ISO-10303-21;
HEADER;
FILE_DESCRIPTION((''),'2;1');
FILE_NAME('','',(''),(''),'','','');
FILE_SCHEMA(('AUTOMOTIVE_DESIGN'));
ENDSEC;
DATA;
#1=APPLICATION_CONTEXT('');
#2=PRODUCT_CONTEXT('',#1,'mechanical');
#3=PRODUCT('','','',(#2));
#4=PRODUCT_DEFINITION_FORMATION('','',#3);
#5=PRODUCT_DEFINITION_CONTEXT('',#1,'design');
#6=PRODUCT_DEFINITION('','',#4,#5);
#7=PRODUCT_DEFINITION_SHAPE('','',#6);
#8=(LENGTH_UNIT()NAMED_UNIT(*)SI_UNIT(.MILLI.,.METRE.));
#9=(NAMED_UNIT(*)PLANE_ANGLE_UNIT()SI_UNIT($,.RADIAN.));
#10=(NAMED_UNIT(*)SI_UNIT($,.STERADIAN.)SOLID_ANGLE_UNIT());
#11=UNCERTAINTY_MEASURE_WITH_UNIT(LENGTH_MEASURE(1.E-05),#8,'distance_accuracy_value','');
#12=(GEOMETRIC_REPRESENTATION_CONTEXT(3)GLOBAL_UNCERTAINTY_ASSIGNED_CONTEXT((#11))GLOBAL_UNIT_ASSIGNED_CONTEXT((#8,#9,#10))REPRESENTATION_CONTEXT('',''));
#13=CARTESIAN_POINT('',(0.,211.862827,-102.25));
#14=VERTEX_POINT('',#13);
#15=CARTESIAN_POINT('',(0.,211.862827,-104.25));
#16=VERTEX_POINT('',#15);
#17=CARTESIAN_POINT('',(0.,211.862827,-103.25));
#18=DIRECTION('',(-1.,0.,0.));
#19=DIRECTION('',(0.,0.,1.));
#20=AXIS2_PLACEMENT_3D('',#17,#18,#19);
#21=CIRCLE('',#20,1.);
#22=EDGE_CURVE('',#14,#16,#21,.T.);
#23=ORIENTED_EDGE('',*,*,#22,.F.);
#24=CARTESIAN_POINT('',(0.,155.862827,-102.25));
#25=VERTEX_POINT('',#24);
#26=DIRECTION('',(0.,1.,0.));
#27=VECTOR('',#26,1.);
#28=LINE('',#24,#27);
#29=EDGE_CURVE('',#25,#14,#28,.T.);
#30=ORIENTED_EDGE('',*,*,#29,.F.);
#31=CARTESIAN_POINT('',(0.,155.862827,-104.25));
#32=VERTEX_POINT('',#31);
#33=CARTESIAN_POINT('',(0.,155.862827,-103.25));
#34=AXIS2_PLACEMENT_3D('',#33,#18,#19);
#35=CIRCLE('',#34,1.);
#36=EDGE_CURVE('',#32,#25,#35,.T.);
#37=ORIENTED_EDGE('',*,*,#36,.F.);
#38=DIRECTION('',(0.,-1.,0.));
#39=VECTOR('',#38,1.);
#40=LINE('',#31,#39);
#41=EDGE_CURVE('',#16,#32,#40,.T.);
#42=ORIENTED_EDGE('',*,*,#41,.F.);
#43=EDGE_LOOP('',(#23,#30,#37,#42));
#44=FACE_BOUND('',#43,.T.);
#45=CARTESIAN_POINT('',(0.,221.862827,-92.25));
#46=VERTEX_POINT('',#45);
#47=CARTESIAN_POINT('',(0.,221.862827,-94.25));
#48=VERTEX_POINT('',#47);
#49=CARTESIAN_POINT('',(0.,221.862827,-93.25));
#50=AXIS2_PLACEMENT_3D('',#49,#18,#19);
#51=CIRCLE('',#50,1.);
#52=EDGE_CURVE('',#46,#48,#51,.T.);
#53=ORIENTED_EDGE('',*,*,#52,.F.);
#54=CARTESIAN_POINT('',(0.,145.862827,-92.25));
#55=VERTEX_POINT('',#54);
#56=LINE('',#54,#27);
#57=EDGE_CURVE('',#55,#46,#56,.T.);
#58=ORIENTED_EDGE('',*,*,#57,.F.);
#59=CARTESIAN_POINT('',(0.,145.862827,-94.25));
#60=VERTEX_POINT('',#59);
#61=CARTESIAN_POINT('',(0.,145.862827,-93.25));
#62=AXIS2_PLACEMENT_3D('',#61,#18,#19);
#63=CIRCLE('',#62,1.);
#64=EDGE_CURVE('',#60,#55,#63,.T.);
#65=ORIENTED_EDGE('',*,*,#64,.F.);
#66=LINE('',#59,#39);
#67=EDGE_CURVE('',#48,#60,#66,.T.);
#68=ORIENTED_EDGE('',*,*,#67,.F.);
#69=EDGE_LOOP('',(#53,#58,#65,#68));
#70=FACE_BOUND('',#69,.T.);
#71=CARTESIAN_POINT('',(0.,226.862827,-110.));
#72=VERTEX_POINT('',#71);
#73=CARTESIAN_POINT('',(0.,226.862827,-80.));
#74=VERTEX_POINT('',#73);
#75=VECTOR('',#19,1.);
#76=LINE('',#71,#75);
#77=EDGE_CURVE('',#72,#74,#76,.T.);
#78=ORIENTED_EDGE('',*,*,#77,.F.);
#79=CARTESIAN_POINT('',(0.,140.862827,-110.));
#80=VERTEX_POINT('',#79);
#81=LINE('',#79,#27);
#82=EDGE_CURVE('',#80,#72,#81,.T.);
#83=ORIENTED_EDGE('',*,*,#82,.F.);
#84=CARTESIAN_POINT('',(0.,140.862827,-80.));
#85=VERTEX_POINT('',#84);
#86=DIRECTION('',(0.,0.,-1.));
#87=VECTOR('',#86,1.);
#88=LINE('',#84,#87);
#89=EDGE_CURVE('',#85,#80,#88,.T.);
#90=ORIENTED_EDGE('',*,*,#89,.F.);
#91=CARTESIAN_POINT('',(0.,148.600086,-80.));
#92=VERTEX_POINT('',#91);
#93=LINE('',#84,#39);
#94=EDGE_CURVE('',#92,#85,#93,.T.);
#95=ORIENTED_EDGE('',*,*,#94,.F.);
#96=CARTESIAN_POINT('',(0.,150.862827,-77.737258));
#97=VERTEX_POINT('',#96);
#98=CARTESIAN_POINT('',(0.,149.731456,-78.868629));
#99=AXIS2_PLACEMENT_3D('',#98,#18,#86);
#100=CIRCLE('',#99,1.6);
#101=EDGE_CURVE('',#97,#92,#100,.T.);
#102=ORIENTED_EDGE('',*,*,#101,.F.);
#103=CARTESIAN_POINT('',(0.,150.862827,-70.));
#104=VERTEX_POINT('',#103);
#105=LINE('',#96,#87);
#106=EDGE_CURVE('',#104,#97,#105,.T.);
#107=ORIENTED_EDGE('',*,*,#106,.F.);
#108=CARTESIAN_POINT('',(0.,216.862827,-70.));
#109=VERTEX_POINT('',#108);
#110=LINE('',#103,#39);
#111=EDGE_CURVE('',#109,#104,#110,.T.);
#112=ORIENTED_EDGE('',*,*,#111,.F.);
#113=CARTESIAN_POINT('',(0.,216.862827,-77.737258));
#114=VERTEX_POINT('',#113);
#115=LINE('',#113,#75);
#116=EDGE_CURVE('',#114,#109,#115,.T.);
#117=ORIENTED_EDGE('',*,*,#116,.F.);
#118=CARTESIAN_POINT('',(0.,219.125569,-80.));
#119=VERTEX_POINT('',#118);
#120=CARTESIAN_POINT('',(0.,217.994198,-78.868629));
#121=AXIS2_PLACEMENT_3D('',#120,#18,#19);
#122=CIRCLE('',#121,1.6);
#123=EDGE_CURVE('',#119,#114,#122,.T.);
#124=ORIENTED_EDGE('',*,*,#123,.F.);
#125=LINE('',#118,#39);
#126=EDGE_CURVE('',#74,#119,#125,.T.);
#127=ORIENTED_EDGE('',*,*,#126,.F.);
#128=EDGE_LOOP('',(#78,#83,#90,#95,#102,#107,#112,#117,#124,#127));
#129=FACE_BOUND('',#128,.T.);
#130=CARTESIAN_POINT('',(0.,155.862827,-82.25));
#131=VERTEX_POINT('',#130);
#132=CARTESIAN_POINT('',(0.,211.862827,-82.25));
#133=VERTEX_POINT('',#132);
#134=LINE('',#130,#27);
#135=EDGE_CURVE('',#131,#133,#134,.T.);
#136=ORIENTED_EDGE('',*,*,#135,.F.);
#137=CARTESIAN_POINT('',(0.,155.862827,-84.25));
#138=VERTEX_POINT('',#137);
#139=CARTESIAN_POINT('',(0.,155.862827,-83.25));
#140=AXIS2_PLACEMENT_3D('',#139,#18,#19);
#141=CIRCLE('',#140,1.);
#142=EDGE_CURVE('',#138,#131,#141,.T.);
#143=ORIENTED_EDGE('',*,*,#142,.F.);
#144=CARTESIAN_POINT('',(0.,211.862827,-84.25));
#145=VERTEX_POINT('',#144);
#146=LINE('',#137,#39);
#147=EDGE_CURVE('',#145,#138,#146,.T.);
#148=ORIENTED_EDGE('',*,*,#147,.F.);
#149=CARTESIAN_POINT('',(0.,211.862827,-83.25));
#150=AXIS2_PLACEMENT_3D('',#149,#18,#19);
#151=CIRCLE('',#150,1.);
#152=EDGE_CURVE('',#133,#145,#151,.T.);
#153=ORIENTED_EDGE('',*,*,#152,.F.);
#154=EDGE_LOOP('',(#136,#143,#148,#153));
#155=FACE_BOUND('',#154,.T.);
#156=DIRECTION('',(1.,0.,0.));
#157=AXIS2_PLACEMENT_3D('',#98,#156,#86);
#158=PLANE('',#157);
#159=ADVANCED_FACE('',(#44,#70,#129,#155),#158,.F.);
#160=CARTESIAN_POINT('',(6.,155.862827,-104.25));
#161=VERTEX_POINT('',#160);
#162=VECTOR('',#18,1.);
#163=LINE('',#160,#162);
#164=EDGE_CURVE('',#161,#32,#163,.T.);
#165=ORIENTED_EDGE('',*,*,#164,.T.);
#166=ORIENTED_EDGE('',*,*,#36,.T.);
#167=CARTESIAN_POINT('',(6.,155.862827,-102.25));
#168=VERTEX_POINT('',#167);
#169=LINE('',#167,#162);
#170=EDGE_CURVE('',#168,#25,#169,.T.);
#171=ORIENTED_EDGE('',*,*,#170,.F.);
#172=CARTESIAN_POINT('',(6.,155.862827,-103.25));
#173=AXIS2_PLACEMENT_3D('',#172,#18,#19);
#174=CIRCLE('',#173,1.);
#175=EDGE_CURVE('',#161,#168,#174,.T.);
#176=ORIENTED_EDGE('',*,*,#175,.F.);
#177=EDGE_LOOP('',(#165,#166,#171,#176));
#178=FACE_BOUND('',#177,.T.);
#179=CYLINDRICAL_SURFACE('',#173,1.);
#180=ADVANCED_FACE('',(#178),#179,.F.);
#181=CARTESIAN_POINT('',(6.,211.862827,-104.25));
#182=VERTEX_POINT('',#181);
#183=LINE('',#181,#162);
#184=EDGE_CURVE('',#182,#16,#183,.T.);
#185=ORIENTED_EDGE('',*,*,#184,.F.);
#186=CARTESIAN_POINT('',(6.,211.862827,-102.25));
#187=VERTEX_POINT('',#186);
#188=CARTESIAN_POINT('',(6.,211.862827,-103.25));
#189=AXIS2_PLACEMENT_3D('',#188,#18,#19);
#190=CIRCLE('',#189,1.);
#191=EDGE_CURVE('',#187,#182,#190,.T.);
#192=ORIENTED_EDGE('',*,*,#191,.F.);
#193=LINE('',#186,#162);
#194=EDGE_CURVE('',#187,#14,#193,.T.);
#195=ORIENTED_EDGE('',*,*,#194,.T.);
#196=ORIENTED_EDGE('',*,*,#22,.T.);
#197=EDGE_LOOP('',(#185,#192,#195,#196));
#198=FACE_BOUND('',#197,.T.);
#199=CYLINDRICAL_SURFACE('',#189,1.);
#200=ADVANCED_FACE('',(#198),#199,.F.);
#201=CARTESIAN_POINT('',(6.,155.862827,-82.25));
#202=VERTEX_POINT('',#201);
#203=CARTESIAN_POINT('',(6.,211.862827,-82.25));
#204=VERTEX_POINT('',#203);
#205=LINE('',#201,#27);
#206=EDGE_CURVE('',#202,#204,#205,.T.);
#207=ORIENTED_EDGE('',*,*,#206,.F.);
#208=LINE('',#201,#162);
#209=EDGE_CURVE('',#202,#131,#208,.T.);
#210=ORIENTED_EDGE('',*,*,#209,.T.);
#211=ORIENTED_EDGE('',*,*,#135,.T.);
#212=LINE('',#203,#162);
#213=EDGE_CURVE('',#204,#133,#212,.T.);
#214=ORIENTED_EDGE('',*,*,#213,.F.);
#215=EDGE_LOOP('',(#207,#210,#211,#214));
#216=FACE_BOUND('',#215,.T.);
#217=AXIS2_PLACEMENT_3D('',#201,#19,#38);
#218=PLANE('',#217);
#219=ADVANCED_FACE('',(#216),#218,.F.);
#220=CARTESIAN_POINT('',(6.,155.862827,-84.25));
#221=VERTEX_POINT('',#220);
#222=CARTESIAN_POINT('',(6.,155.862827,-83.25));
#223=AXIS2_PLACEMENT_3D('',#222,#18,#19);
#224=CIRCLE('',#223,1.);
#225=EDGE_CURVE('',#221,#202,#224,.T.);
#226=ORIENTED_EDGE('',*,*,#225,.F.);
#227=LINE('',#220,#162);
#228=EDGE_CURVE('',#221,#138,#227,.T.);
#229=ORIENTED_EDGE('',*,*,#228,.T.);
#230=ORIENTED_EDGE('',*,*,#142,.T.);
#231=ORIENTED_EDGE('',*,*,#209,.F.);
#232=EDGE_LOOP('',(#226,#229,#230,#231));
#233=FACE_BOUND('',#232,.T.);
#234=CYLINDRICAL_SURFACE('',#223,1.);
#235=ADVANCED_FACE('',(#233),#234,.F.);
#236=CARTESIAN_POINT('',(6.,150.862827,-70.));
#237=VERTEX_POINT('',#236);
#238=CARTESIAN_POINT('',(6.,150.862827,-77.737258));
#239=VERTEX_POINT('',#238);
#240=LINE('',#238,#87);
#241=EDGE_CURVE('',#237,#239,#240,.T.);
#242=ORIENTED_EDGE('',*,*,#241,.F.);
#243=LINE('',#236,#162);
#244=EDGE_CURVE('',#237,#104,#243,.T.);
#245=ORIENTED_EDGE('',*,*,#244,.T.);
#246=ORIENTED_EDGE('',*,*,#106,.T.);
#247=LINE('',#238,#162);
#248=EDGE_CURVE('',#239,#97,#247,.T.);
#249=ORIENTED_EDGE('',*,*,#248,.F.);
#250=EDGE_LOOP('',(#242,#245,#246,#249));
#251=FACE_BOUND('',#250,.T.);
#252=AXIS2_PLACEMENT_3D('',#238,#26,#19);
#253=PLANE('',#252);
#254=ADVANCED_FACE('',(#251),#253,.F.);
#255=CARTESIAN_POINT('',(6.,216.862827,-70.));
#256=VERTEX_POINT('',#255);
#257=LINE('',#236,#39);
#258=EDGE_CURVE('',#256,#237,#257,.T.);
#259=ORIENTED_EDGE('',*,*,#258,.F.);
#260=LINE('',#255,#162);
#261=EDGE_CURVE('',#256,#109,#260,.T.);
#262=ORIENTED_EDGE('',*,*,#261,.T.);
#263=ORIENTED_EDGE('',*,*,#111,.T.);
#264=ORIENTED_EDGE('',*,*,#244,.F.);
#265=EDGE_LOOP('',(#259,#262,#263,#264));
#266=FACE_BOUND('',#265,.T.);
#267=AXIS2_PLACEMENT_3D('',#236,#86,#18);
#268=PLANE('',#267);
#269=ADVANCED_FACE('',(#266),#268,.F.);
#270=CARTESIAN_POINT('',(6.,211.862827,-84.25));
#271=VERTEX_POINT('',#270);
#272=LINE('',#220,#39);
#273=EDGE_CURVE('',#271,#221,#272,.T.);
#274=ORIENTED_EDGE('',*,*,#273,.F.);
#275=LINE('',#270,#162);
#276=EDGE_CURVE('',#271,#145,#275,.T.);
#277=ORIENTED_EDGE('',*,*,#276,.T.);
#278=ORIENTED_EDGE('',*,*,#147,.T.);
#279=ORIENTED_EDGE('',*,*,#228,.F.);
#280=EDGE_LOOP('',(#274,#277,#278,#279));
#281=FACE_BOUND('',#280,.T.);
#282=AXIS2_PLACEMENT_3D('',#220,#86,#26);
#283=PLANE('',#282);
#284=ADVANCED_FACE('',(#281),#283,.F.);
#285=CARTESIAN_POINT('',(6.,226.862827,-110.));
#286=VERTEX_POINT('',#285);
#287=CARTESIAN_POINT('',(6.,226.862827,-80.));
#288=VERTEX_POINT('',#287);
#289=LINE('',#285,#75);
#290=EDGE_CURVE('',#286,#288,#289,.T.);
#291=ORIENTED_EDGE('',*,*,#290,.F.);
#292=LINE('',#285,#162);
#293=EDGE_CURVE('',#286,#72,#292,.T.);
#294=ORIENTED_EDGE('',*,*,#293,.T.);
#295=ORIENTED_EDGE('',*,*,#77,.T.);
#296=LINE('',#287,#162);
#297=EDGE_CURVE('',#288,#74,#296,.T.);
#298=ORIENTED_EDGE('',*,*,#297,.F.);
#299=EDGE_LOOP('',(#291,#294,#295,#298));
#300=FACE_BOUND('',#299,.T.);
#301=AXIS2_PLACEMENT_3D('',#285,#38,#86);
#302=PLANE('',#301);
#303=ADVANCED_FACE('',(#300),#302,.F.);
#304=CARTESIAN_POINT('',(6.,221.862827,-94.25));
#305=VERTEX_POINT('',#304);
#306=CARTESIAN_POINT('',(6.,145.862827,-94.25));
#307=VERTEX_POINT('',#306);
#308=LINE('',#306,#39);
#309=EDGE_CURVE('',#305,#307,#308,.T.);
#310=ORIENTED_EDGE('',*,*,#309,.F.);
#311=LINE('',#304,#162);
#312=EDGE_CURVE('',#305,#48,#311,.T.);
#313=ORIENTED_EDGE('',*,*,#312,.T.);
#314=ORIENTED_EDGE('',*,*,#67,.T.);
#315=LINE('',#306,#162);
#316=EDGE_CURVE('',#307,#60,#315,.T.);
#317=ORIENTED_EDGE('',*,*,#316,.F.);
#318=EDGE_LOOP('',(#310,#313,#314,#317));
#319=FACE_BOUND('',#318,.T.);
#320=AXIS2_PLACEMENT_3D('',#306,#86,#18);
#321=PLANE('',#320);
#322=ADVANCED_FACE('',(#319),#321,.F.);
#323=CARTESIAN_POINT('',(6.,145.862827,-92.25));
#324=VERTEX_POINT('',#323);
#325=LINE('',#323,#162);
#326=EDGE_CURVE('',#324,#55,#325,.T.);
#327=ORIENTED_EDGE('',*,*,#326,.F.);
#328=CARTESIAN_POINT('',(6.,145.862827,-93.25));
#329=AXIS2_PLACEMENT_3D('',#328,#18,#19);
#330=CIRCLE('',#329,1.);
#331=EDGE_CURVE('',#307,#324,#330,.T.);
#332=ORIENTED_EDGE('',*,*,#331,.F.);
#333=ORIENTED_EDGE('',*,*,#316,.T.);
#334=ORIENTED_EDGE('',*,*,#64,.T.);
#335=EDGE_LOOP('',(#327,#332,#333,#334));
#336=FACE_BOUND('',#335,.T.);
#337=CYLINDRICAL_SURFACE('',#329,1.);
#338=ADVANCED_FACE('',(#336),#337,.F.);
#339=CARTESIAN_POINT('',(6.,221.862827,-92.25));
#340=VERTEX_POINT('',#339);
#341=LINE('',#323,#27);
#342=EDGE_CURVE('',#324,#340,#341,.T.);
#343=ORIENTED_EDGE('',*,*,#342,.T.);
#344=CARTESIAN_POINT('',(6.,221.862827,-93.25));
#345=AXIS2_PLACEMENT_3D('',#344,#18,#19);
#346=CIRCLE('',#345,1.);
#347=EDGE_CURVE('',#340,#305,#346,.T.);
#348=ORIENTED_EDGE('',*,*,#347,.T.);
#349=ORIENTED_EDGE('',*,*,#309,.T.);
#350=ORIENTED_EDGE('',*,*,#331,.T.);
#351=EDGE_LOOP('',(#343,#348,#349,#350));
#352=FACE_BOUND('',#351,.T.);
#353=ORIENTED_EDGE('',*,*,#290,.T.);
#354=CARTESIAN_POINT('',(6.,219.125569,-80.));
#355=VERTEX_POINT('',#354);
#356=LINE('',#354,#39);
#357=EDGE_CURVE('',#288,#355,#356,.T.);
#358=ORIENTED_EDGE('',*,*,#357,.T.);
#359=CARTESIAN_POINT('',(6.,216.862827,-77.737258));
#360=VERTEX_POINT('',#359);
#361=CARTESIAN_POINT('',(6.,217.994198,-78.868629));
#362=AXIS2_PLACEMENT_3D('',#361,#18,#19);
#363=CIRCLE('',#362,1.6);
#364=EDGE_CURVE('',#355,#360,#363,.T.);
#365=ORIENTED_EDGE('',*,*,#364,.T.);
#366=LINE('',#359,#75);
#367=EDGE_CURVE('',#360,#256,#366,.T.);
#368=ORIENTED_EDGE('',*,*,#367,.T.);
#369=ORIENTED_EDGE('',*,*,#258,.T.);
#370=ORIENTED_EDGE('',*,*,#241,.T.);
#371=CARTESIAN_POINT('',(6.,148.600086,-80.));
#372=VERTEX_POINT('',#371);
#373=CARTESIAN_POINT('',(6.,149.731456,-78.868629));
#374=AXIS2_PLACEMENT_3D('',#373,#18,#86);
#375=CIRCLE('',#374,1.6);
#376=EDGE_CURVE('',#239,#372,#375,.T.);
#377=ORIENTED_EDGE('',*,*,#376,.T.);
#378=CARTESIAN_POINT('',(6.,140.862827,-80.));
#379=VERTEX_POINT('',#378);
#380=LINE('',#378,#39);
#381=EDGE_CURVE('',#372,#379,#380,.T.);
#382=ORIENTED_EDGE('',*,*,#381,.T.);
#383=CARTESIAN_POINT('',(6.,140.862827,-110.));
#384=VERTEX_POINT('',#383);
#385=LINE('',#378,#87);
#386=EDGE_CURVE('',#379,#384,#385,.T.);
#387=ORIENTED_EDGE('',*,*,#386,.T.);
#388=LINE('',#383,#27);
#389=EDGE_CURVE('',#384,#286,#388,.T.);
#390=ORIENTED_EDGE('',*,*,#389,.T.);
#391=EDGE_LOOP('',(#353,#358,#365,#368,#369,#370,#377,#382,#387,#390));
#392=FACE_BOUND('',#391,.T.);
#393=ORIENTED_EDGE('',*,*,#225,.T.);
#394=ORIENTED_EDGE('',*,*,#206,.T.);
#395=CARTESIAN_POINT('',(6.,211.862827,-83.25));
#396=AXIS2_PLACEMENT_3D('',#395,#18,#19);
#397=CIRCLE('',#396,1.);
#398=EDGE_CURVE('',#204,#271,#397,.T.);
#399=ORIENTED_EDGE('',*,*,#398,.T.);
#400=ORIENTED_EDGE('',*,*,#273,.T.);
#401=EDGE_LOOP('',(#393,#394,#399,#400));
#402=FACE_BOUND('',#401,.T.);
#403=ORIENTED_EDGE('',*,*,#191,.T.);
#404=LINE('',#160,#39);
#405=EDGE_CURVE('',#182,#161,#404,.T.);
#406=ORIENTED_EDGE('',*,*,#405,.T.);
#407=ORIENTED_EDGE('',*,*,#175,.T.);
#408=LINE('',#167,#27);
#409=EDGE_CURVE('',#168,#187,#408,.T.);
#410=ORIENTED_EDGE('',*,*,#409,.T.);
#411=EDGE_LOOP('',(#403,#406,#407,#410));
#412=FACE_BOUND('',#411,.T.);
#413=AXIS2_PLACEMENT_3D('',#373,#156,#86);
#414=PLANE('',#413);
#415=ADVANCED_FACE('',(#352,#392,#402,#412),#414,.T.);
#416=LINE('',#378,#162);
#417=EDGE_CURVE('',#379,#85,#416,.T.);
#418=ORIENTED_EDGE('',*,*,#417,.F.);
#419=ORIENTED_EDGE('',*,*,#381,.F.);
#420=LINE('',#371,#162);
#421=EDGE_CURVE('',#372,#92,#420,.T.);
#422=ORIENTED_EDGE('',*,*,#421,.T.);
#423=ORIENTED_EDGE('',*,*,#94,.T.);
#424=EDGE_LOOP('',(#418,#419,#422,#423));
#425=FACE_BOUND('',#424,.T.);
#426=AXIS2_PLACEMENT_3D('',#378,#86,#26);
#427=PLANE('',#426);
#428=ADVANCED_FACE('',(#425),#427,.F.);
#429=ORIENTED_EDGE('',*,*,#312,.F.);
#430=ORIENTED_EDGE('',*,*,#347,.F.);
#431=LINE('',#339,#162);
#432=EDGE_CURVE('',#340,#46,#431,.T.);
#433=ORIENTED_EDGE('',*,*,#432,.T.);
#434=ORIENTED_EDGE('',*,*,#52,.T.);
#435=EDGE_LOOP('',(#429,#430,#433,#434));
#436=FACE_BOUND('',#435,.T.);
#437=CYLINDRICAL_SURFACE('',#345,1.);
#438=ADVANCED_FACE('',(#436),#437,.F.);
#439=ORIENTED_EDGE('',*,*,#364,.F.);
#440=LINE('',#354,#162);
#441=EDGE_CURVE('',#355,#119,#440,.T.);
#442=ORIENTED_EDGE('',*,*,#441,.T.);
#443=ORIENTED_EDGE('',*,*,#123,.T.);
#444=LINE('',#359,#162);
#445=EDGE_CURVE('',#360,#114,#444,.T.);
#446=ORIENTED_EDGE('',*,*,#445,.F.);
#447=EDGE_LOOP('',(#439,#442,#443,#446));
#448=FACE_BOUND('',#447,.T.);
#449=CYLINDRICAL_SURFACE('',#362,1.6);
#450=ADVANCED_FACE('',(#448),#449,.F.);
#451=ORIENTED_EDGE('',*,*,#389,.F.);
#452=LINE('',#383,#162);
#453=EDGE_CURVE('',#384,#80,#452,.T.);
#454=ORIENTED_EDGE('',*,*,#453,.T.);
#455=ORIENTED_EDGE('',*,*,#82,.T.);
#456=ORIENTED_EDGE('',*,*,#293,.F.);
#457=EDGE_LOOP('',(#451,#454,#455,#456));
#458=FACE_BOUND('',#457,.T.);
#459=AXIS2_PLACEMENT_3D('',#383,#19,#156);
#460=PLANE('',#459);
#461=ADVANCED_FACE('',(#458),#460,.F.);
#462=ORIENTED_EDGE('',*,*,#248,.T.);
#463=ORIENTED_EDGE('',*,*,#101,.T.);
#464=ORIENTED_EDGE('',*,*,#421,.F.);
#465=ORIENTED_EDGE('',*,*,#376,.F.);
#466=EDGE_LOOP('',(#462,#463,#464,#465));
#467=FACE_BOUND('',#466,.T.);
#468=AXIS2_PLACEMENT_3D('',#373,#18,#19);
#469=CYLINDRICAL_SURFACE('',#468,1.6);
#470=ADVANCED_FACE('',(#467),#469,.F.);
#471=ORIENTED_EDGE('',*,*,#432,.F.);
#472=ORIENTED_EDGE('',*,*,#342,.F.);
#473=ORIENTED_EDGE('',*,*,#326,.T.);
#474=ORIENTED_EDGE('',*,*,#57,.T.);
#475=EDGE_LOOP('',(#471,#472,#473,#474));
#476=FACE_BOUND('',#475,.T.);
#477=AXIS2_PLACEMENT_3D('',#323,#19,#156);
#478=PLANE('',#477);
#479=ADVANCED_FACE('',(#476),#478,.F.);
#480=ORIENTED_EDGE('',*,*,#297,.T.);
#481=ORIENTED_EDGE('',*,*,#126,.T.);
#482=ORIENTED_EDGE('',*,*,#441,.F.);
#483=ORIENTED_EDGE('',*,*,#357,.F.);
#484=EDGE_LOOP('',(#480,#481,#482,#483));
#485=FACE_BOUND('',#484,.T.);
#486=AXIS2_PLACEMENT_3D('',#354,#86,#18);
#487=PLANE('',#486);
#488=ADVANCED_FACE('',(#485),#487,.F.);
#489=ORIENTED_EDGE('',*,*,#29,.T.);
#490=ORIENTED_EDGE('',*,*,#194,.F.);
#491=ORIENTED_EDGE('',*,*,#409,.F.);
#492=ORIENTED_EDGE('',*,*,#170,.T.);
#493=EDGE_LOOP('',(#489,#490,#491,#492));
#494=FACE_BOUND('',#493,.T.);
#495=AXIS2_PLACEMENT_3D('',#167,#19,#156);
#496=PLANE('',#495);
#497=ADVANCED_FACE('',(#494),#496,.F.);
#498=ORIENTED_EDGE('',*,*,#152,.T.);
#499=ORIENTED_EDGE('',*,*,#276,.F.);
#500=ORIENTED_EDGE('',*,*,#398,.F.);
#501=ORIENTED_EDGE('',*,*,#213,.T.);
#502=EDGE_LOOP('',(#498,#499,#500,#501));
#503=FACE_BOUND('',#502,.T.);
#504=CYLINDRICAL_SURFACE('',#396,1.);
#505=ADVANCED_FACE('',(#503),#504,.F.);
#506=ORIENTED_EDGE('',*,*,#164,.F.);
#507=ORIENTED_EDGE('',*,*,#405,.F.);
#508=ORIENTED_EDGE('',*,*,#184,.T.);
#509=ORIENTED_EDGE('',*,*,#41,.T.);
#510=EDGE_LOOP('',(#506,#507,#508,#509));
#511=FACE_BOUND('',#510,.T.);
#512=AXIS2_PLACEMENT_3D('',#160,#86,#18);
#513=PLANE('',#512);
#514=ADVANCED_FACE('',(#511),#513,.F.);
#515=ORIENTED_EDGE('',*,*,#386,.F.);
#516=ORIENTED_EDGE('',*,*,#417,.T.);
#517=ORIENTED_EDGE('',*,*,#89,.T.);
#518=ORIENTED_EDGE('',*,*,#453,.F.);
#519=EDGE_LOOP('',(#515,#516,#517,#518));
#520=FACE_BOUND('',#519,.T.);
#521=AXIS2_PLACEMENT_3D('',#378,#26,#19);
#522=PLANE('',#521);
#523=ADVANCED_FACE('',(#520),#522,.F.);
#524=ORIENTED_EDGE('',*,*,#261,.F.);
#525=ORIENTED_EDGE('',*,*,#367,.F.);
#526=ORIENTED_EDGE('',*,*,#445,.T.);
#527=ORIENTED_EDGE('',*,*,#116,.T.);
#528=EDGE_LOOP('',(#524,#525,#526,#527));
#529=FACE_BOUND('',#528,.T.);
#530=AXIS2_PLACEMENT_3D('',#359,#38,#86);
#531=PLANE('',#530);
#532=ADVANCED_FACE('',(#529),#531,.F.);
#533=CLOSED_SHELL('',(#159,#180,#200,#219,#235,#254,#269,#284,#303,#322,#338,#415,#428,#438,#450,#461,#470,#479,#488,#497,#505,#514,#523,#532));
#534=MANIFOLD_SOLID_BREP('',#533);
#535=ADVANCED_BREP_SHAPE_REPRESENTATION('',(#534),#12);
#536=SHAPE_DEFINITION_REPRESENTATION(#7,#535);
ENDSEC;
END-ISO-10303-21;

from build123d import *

# Parameters (mm, degrees)
EXTRUSION1_DEPTH        = 6
ENL_V_MAT_EXTRU_2_DEPTH = 7


with BuildPart() as part:
    # Esquisse1 → Extrusion1 (new body)
    with BuildSketch(Plane(origin=(0, 0, 0), x_dir=(0, 0, -1), z_dir=(1, 0, 0))):
        with BuildLine():
            Line((110, 226.862827305), (80, 226.862827305))
            Line((80, 226.862827305), (80, 219.125569005))
            ThreePointArc((80, 219.125569005), (80, 216.862827305), (77.7372583, 216.862827305))
            Line((77.7372583, 216.862827305), (70, 216.862827305))
            Line((70, 216.862827305), (70, 150.862827305))
            Line((70, 150.862827305), (77.7372583, 150.862827305))
            ThreePointArc((77.7372583, 150.862827305), (80, 150.862827305), (80, 148.600085605))
            Line((80, 148.600085605), (80, 140.862827305))
            Line((80, 140.862827305), (110, 140.862827305))
            Line((110, 140.862827305), (110, 226.862827305))
        make_face()
    extrude(amount=EXTRUSION1_DEPTH)

    # Esquisse3 → Enlèv. mat.-Extru.2 (cut, through all)
    with BuildSketch(Plane.ZY):
        with BuildLine():
            Line((-84.25, 155.862827305), (-84.25, 211.862827305))
            ThreePointArc((-84.25, 211.862827305), (-83.25, 212.862827305), (-82.25, 211.862827305))
            Line((-82.25, 211.862827305), (-82.25, 155.862827305))
            ThreePointArc((-82.25, 155.862827305), (-83.25, 154.862827305), (-84.25, 155.862827305))
        make_face()
        with BuildLine():
            Line((-94.25, 145.862827305), (-94.25, 221.862827305))
            ThreePointArc((-94.25, 221.862827305), (-93.25, 222.862827305), (-92.25, 221.862827305))
            Line((-92.25, 221.862827305), (-92.25, 145.862827305))
            ThreePointArc((-92.25, 145.862827305), (-93.25, 144.862827305), (-94.25, 145.862827305))
        make_face()
        with BuildLine():
            Line((-104.25, 155.862827305), (-104.25, 211.862827305))
            ThreePointArc((-104.25, 211.862827305), (-103.25, 212.862827305), (-102.25, 211.862827305))
            Line((-102.25, 211.862827305), (-102.25, 155.862827305))
            ThreePointArc((-102.25, 155.862827305), (-103.25, 154.862827305), (-104.25, 155.862827305))
        make_face()
    extrude(amount=-ENL_V_MAT_EXTRU_2_DEPTH, mode=Mode.SUBTRACT)


solid = part.part
